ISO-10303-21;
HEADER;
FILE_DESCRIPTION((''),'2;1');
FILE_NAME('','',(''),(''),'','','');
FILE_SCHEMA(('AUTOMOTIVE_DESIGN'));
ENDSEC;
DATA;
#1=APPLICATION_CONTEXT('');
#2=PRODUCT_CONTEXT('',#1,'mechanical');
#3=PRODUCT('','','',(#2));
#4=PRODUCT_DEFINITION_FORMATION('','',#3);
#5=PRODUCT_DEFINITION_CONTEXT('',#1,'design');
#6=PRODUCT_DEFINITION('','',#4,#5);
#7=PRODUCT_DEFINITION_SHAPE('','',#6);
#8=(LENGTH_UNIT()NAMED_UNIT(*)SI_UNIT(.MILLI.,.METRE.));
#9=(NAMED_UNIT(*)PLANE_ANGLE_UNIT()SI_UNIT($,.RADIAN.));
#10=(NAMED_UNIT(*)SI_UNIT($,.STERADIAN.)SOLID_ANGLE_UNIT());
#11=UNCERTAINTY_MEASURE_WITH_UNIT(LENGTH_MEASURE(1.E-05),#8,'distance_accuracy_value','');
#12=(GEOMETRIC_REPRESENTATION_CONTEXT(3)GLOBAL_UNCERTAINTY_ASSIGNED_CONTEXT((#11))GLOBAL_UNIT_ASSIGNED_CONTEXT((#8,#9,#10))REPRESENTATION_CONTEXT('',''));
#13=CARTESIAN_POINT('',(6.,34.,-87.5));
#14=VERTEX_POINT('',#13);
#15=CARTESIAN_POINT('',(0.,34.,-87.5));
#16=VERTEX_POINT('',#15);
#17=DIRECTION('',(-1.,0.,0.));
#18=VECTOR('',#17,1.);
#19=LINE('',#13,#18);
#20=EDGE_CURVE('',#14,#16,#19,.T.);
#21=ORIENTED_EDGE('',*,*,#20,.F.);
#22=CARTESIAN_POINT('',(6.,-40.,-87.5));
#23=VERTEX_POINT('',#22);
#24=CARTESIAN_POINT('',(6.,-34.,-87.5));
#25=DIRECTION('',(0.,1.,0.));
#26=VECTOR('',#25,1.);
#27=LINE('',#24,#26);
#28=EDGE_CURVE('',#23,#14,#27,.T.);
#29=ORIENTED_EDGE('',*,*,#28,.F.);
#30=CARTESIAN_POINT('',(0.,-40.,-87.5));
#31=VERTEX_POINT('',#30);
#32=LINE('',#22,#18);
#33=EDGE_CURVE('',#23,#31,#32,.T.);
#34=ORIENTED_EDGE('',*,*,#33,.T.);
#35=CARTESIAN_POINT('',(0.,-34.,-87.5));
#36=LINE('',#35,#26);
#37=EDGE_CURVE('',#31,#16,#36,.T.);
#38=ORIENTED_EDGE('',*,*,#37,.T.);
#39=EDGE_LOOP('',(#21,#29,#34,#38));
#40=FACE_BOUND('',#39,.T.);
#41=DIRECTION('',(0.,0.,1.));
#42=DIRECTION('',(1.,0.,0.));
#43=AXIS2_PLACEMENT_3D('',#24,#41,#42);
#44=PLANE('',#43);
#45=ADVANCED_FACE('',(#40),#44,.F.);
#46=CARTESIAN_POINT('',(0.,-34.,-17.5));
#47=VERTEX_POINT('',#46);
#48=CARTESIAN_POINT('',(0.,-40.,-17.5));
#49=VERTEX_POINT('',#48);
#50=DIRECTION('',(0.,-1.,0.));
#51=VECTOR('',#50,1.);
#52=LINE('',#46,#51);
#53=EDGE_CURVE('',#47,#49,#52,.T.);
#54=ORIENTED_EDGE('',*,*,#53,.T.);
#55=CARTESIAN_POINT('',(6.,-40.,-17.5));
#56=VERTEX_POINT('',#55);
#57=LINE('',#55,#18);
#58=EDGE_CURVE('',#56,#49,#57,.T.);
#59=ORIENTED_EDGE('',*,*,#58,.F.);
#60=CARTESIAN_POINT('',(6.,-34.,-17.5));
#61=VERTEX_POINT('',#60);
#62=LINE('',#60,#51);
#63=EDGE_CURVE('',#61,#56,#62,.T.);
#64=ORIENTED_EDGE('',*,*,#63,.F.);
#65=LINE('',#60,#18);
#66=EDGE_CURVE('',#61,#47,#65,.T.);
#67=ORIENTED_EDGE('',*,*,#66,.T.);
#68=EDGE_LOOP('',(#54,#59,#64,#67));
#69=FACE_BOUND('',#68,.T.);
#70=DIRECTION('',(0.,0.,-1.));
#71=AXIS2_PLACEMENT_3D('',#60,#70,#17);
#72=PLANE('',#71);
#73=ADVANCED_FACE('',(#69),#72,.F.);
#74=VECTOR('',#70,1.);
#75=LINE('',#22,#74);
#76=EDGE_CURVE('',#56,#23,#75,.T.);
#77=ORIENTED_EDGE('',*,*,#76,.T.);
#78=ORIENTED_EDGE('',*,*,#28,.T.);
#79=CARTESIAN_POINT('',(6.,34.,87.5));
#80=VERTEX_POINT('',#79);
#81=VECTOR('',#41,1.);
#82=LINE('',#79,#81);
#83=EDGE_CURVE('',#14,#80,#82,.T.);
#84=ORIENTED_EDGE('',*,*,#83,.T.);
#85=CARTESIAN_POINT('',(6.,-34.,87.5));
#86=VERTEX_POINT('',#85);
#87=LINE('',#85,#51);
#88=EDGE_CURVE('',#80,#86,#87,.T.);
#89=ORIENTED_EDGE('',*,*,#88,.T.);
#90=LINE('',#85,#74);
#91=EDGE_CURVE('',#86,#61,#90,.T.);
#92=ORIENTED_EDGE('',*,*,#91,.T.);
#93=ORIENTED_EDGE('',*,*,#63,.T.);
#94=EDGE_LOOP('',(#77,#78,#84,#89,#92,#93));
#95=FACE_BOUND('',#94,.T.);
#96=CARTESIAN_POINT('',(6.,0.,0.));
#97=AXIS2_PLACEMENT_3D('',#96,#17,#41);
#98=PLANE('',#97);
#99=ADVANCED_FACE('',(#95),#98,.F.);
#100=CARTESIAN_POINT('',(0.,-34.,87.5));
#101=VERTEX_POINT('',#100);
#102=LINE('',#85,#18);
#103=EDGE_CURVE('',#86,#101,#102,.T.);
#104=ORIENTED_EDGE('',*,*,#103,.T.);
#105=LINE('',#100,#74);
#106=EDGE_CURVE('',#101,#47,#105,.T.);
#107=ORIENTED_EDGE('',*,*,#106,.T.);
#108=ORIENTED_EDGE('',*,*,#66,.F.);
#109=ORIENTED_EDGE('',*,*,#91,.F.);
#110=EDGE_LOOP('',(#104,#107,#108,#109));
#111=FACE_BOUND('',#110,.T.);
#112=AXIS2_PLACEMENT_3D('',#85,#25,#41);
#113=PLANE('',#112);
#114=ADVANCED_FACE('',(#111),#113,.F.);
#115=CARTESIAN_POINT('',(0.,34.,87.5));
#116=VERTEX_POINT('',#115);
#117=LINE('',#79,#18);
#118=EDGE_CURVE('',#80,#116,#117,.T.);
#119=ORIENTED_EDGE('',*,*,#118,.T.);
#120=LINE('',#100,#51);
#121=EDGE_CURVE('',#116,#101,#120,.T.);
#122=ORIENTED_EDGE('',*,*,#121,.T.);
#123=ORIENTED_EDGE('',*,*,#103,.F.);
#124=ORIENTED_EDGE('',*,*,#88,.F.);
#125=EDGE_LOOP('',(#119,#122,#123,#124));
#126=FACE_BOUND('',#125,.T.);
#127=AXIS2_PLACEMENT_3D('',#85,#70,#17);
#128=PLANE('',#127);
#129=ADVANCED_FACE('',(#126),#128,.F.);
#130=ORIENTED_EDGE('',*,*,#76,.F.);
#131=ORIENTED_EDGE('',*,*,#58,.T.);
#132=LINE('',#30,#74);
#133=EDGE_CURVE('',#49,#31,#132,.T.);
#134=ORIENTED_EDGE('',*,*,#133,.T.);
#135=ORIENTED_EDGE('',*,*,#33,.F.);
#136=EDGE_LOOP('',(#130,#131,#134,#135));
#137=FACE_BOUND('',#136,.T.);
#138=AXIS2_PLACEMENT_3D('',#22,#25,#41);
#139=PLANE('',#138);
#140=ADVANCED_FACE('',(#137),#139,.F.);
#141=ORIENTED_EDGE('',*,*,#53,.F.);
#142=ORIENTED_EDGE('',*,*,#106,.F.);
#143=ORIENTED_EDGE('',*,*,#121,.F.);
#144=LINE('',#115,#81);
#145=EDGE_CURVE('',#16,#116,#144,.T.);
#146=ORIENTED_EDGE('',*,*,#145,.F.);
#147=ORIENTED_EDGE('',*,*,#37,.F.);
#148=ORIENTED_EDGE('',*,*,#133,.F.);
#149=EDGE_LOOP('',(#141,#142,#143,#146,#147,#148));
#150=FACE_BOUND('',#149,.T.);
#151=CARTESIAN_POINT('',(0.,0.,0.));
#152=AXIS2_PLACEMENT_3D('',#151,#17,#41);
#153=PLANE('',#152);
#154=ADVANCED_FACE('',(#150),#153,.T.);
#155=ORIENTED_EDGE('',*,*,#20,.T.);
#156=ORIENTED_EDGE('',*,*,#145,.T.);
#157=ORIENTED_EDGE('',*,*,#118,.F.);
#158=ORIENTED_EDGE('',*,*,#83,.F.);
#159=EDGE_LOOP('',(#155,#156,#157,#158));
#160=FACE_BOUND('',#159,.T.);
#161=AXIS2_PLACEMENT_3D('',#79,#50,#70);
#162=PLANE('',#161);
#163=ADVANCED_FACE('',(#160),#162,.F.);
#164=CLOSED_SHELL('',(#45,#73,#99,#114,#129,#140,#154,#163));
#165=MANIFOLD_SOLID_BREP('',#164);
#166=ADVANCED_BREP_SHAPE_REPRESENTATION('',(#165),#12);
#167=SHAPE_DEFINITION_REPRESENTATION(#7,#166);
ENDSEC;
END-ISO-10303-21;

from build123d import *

# Parameters (mm, degrees)
BOSS_EXTRUDE1_DEPTH = 6


with BuildPart() as part:
    # Sketch2 → Boss-Extrude1 (new body)
    with BuildSketch(Plane(origin=(0, 0, 0), x_dir=(0, 0, -1), z_dir=(1, 0, 0))):
        Polygon((-87.5, -34), (17.5, -34), (17.5, -40), (87.5, -40), (87.5, -34), (87.5, 34), (-87.5, 34), align=None)
    extrude(amount=BOSS_EXTRUDE1_DEPTH)


solid = part.part
